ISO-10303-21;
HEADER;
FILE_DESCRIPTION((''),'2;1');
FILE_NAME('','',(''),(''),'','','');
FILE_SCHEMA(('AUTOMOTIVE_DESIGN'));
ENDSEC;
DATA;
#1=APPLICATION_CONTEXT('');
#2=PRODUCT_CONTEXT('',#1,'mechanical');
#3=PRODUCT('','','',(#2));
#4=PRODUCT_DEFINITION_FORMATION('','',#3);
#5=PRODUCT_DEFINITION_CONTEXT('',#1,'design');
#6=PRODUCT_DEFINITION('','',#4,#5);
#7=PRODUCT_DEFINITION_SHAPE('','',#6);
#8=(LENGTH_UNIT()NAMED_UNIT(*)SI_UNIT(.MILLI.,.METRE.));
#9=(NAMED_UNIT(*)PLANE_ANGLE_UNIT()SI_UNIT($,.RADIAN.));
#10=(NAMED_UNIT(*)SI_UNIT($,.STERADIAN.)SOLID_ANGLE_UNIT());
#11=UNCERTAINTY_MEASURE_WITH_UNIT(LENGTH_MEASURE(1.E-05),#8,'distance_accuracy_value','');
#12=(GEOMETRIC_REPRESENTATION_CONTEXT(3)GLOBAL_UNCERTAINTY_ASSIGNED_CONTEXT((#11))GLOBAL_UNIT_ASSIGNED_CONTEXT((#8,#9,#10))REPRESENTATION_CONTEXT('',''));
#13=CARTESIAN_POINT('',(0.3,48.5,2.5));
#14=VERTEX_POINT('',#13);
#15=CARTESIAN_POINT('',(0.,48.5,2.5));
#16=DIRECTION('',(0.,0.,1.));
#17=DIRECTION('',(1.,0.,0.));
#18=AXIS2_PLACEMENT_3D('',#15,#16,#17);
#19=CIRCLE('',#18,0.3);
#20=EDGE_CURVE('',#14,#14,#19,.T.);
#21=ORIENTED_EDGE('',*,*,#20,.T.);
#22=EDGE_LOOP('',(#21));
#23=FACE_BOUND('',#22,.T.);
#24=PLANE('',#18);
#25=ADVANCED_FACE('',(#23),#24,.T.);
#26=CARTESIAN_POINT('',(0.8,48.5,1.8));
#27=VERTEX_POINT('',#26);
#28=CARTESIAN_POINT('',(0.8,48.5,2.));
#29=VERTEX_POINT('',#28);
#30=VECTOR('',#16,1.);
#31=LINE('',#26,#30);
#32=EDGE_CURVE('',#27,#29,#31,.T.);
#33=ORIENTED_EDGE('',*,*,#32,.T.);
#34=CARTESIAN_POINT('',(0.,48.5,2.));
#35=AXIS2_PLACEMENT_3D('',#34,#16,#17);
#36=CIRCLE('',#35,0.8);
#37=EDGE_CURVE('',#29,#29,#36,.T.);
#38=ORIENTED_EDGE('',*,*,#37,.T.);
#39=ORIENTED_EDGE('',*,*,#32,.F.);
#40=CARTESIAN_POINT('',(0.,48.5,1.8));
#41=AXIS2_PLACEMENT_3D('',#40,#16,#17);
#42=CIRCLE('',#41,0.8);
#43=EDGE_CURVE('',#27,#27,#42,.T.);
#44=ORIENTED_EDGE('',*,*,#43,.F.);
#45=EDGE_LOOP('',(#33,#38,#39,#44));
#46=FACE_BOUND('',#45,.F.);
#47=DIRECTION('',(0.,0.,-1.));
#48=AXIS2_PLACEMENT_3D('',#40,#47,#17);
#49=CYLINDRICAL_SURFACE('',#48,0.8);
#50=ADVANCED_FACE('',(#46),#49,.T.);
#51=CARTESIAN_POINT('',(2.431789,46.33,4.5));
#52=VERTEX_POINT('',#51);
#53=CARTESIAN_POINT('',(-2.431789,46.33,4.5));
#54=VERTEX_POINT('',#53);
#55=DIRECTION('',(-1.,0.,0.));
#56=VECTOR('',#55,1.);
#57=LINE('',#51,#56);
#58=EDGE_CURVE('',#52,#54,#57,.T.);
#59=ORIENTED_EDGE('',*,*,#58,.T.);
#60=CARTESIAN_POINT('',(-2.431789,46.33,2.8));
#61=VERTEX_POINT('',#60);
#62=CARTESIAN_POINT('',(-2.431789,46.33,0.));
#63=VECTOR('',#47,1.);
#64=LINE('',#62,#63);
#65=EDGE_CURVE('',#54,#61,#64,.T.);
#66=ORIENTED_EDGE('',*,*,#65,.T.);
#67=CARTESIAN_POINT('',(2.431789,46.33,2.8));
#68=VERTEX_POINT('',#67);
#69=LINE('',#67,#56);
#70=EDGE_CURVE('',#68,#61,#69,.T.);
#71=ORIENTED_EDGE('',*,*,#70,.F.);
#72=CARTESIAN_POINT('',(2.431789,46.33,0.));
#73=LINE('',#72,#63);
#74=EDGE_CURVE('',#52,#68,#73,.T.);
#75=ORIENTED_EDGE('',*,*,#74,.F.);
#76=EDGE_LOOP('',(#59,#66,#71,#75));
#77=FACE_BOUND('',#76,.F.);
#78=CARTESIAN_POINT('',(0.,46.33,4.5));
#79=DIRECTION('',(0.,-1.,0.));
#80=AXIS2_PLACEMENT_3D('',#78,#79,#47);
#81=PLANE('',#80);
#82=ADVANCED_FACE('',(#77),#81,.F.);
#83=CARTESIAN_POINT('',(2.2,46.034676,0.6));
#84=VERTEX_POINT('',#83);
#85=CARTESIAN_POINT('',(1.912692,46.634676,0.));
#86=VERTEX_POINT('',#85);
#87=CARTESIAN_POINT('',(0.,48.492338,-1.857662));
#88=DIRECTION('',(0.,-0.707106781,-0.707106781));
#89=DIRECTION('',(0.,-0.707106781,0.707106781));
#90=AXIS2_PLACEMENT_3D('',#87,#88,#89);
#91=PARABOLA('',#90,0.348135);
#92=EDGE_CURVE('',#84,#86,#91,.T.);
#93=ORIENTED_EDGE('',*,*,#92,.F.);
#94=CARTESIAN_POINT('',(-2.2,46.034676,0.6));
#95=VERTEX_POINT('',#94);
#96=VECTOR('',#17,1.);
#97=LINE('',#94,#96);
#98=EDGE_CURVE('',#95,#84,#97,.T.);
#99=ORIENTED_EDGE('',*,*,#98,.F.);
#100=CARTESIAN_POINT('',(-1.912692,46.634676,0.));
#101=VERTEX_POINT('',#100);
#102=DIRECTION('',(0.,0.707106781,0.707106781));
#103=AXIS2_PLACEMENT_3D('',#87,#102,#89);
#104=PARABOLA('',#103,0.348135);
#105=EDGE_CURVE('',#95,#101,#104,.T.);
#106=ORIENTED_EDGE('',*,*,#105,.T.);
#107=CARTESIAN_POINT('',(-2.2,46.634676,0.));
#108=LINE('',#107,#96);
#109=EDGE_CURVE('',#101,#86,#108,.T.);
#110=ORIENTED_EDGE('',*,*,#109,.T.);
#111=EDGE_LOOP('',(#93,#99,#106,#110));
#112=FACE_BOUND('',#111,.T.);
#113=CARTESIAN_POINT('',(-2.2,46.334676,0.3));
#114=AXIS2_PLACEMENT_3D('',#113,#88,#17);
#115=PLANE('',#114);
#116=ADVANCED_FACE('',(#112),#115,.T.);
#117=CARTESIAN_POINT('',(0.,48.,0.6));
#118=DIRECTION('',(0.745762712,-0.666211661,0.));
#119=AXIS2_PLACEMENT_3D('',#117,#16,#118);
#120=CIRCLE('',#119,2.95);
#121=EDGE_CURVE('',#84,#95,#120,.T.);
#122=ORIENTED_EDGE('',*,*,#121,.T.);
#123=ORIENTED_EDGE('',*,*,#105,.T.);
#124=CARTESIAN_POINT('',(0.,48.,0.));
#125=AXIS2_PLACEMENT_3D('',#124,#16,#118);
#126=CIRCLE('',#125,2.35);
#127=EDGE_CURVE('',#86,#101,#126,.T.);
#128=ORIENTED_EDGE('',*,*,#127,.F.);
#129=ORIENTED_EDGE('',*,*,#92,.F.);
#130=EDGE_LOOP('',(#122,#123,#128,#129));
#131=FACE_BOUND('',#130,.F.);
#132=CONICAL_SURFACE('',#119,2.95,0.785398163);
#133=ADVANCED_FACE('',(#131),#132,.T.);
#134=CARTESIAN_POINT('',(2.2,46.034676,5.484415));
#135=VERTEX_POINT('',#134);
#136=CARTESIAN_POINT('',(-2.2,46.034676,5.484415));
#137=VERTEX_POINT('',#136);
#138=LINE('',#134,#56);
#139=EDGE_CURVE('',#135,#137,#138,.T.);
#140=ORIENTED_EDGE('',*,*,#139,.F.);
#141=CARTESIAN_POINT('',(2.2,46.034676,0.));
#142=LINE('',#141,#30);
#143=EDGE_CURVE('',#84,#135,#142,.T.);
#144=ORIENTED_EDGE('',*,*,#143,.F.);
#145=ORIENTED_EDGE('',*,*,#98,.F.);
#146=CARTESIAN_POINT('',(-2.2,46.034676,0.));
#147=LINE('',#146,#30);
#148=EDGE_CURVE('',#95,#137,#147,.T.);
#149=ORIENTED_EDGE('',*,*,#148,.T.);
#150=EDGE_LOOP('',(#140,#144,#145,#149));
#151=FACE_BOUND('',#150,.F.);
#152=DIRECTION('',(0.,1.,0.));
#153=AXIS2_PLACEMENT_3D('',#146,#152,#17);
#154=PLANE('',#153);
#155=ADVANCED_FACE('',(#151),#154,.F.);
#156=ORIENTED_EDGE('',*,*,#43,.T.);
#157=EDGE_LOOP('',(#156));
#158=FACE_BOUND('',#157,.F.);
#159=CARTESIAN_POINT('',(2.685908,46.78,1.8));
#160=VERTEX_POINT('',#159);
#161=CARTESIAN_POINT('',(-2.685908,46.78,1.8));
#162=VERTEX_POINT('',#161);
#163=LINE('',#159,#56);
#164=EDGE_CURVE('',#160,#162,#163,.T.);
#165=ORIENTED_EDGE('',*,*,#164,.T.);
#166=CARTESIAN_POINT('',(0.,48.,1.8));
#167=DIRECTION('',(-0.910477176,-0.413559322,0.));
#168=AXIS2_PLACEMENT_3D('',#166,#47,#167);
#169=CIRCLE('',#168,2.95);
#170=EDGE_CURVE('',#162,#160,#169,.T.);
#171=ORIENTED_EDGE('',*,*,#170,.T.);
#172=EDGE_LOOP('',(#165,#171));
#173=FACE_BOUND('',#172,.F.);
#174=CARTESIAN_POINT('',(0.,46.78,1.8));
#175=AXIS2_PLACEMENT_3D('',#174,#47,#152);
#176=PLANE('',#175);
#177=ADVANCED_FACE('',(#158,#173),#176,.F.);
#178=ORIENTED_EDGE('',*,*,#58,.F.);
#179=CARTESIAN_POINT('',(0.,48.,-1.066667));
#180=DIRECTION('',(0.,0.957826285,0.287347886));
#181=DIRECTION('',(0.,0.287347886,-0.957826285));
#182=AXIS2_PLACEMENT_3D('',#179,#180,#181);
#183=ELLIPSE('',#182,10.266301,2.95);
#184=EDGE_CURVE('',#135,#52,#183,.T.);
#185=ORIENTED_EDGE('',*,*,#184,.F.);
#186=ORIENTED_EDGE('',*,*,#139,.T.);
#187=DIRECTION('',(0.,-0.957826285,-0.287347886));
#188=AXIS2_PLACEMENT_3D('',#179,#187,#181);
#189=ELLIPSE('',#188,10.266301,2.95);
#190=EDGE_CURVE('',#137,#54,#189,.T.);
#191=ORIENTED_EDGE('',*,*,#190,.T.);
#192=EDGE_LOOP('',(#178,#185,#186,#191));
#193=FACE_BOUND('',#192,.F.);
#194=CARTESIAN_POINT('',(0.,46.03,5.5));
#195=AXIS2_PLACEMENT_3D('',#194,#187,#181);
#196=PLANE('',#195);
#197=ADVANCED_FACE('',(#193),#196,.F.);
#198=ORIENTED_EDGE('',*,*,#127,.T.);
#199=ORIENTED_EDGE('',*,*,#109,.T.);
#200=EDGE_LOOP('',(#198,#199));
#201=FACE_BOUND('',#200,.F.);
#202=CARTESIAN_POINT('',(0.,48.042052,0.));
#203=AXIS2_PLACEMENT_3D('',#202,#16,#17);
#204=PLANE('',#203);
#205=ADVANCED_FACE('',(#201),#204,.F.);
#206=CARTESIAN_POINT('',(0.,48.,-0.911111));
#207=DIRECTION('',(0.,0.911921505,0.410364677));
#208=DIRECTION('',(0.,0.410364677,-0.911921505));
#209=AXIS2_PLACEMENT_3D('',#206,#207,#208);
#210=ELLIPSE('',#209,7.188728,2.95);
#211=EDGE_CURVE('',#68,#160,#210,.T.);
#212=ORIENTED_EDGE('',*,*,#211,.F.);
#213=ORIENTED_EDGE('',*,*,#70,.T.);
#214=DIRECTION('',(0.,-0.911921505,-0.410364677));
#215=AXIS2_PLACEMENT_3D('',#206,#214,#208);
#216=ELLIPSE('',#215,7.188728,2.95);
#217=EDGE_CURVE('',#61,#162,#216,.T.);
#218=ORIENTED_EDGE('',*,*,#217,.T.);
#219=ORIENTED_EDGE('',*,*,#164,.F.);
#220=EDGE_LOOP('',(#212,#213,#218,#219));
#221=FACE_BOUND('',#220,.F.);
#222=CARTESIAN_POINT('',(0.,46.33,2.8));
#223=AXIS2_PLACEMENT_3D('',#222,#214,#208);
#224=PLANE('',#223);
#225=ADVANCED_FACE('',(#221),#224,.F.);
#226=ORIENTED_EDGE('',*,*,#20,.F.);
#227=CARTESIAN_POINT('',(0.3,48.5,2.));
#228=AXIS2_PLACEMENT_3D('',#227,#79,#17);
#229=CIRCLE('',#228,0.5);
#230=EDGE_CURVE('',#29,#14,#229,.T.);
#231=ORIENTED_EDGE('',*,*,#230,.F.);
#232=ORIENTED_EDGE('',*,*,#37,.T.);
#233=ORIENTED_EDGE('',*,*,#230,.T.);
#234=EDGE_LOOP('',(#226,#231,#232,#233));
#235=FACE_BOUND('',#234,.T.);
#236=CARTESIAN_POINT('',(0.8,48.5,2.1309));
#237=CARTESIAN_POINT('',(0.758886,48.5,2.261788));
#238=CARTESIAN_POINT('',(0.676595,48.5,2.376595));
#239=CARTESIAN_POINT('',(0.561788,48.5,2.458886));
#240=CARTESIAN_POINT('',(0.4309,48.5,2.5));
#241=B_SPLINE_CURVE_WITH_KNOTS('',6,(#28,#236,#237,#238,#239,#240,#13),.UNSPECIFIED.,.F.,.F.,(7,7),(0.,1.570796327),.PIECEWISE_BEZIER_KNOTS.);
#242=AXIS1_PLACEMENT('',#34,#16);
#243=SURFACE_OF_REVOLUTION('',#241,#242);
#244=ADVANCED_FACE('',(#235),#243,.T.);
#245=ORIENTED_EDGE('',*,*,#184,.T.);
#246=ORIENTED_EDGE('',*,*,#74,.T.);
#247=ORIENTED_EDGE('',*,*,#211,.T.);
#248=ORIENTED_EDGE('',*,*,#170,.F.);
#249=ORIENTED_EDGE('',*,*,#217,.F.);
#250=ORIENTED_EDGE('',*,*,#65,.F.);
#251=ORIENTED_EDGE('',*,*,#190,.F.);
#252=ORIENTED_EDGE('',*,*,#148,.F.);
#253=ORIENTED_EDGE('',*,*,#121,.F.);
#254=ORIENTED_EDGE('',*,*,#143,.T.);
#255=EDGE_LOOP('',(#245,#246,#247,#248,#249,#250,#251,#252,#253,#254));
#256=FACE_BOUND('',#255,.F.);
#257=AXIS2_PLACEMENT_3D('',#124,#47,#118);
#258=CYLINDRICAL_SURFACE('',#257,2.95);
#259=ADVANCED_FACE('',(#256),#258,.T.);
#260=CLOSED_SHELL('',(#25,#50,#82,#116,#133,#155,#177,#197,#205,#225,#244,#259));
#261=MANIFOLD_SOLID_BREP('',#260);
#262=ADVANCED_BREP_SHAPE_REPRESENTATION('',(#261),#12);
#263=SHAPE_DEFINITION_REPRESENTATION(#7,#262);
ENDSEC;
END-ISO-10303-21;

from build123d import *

# Parameters (mm, degrees)
PAD003_DEPTH         = 5.5
POCKET004_DEPTH      = 2.951
POCKET004_DEPTH_BACK = 2.951
SKETCH013_R          = 0.8
PAD006_DEPTH         = 0.7
FILLET_R             = 0.5
CHAMFER004_SIZE      = 0.6


with BuildPart() as part:
    # Sketch004 → Pad003 (new body)
    with BuildSketch(Plane.XY):
        with BuildLine():
            ThreePointArc((2.2, -1.9653244007), (0, 2.95), (-2.2, -1.9653244007))
            Line((-2.2, -1.9653244007), (2.2, -1.9653244007))
        make_face()
    extrude(amount=PAD003_DEPTH)

    # Sketch014 → Pocket004 (cut, two sides)
    with BuildSketch(Plane.YZ) as pocket004_sk:
        Polygon((-1.97, 5.5), (-1.67, 4.5), (-1.67, 2.8), (-1.22, 1.8), (4, 1.8), (4, 5.5), align=None)
    extrude(amount=-POCKET004_DEPTH, mode=Mode.SUBTRACT)
    extrude(pocket004_sk.sketch, amount=POCKET004_DEPTH_BACK, mode=Mode.SUBTRACT)

    # Sketch013 (on Face7 of Pocket004) → Pad006 (join)
    with BuildSketch(Plane.XY.offset(1.8)):
        with Locations((0, 0.5)):
            Circle(SKETCH013_R)
    extrude(amount=PAD006_DEPTH)

    # Fillet
    fillet_edges = [part.edges().sort_by_distance(p)[0] for p in [
        (-0.8, 0.5, 2.5),
    ]]
    fillet(fillet_edges, radius=FILLET_R)

    # Chamfer004
    chamfer004_edges = [part.edges().sort_by_distance(p)[0] for p in [
        (0, 2.95, 0),
        (0, -1.965324, 0),
    ]]
    chamfer(chamfer004_edges, length=CHAMFER004_SIZE)


with BuildPart() as part_1:
    # Body027 placement: moved
    add(part.part.moved(Location((0, 48, 0))))


solid = part_1.part
